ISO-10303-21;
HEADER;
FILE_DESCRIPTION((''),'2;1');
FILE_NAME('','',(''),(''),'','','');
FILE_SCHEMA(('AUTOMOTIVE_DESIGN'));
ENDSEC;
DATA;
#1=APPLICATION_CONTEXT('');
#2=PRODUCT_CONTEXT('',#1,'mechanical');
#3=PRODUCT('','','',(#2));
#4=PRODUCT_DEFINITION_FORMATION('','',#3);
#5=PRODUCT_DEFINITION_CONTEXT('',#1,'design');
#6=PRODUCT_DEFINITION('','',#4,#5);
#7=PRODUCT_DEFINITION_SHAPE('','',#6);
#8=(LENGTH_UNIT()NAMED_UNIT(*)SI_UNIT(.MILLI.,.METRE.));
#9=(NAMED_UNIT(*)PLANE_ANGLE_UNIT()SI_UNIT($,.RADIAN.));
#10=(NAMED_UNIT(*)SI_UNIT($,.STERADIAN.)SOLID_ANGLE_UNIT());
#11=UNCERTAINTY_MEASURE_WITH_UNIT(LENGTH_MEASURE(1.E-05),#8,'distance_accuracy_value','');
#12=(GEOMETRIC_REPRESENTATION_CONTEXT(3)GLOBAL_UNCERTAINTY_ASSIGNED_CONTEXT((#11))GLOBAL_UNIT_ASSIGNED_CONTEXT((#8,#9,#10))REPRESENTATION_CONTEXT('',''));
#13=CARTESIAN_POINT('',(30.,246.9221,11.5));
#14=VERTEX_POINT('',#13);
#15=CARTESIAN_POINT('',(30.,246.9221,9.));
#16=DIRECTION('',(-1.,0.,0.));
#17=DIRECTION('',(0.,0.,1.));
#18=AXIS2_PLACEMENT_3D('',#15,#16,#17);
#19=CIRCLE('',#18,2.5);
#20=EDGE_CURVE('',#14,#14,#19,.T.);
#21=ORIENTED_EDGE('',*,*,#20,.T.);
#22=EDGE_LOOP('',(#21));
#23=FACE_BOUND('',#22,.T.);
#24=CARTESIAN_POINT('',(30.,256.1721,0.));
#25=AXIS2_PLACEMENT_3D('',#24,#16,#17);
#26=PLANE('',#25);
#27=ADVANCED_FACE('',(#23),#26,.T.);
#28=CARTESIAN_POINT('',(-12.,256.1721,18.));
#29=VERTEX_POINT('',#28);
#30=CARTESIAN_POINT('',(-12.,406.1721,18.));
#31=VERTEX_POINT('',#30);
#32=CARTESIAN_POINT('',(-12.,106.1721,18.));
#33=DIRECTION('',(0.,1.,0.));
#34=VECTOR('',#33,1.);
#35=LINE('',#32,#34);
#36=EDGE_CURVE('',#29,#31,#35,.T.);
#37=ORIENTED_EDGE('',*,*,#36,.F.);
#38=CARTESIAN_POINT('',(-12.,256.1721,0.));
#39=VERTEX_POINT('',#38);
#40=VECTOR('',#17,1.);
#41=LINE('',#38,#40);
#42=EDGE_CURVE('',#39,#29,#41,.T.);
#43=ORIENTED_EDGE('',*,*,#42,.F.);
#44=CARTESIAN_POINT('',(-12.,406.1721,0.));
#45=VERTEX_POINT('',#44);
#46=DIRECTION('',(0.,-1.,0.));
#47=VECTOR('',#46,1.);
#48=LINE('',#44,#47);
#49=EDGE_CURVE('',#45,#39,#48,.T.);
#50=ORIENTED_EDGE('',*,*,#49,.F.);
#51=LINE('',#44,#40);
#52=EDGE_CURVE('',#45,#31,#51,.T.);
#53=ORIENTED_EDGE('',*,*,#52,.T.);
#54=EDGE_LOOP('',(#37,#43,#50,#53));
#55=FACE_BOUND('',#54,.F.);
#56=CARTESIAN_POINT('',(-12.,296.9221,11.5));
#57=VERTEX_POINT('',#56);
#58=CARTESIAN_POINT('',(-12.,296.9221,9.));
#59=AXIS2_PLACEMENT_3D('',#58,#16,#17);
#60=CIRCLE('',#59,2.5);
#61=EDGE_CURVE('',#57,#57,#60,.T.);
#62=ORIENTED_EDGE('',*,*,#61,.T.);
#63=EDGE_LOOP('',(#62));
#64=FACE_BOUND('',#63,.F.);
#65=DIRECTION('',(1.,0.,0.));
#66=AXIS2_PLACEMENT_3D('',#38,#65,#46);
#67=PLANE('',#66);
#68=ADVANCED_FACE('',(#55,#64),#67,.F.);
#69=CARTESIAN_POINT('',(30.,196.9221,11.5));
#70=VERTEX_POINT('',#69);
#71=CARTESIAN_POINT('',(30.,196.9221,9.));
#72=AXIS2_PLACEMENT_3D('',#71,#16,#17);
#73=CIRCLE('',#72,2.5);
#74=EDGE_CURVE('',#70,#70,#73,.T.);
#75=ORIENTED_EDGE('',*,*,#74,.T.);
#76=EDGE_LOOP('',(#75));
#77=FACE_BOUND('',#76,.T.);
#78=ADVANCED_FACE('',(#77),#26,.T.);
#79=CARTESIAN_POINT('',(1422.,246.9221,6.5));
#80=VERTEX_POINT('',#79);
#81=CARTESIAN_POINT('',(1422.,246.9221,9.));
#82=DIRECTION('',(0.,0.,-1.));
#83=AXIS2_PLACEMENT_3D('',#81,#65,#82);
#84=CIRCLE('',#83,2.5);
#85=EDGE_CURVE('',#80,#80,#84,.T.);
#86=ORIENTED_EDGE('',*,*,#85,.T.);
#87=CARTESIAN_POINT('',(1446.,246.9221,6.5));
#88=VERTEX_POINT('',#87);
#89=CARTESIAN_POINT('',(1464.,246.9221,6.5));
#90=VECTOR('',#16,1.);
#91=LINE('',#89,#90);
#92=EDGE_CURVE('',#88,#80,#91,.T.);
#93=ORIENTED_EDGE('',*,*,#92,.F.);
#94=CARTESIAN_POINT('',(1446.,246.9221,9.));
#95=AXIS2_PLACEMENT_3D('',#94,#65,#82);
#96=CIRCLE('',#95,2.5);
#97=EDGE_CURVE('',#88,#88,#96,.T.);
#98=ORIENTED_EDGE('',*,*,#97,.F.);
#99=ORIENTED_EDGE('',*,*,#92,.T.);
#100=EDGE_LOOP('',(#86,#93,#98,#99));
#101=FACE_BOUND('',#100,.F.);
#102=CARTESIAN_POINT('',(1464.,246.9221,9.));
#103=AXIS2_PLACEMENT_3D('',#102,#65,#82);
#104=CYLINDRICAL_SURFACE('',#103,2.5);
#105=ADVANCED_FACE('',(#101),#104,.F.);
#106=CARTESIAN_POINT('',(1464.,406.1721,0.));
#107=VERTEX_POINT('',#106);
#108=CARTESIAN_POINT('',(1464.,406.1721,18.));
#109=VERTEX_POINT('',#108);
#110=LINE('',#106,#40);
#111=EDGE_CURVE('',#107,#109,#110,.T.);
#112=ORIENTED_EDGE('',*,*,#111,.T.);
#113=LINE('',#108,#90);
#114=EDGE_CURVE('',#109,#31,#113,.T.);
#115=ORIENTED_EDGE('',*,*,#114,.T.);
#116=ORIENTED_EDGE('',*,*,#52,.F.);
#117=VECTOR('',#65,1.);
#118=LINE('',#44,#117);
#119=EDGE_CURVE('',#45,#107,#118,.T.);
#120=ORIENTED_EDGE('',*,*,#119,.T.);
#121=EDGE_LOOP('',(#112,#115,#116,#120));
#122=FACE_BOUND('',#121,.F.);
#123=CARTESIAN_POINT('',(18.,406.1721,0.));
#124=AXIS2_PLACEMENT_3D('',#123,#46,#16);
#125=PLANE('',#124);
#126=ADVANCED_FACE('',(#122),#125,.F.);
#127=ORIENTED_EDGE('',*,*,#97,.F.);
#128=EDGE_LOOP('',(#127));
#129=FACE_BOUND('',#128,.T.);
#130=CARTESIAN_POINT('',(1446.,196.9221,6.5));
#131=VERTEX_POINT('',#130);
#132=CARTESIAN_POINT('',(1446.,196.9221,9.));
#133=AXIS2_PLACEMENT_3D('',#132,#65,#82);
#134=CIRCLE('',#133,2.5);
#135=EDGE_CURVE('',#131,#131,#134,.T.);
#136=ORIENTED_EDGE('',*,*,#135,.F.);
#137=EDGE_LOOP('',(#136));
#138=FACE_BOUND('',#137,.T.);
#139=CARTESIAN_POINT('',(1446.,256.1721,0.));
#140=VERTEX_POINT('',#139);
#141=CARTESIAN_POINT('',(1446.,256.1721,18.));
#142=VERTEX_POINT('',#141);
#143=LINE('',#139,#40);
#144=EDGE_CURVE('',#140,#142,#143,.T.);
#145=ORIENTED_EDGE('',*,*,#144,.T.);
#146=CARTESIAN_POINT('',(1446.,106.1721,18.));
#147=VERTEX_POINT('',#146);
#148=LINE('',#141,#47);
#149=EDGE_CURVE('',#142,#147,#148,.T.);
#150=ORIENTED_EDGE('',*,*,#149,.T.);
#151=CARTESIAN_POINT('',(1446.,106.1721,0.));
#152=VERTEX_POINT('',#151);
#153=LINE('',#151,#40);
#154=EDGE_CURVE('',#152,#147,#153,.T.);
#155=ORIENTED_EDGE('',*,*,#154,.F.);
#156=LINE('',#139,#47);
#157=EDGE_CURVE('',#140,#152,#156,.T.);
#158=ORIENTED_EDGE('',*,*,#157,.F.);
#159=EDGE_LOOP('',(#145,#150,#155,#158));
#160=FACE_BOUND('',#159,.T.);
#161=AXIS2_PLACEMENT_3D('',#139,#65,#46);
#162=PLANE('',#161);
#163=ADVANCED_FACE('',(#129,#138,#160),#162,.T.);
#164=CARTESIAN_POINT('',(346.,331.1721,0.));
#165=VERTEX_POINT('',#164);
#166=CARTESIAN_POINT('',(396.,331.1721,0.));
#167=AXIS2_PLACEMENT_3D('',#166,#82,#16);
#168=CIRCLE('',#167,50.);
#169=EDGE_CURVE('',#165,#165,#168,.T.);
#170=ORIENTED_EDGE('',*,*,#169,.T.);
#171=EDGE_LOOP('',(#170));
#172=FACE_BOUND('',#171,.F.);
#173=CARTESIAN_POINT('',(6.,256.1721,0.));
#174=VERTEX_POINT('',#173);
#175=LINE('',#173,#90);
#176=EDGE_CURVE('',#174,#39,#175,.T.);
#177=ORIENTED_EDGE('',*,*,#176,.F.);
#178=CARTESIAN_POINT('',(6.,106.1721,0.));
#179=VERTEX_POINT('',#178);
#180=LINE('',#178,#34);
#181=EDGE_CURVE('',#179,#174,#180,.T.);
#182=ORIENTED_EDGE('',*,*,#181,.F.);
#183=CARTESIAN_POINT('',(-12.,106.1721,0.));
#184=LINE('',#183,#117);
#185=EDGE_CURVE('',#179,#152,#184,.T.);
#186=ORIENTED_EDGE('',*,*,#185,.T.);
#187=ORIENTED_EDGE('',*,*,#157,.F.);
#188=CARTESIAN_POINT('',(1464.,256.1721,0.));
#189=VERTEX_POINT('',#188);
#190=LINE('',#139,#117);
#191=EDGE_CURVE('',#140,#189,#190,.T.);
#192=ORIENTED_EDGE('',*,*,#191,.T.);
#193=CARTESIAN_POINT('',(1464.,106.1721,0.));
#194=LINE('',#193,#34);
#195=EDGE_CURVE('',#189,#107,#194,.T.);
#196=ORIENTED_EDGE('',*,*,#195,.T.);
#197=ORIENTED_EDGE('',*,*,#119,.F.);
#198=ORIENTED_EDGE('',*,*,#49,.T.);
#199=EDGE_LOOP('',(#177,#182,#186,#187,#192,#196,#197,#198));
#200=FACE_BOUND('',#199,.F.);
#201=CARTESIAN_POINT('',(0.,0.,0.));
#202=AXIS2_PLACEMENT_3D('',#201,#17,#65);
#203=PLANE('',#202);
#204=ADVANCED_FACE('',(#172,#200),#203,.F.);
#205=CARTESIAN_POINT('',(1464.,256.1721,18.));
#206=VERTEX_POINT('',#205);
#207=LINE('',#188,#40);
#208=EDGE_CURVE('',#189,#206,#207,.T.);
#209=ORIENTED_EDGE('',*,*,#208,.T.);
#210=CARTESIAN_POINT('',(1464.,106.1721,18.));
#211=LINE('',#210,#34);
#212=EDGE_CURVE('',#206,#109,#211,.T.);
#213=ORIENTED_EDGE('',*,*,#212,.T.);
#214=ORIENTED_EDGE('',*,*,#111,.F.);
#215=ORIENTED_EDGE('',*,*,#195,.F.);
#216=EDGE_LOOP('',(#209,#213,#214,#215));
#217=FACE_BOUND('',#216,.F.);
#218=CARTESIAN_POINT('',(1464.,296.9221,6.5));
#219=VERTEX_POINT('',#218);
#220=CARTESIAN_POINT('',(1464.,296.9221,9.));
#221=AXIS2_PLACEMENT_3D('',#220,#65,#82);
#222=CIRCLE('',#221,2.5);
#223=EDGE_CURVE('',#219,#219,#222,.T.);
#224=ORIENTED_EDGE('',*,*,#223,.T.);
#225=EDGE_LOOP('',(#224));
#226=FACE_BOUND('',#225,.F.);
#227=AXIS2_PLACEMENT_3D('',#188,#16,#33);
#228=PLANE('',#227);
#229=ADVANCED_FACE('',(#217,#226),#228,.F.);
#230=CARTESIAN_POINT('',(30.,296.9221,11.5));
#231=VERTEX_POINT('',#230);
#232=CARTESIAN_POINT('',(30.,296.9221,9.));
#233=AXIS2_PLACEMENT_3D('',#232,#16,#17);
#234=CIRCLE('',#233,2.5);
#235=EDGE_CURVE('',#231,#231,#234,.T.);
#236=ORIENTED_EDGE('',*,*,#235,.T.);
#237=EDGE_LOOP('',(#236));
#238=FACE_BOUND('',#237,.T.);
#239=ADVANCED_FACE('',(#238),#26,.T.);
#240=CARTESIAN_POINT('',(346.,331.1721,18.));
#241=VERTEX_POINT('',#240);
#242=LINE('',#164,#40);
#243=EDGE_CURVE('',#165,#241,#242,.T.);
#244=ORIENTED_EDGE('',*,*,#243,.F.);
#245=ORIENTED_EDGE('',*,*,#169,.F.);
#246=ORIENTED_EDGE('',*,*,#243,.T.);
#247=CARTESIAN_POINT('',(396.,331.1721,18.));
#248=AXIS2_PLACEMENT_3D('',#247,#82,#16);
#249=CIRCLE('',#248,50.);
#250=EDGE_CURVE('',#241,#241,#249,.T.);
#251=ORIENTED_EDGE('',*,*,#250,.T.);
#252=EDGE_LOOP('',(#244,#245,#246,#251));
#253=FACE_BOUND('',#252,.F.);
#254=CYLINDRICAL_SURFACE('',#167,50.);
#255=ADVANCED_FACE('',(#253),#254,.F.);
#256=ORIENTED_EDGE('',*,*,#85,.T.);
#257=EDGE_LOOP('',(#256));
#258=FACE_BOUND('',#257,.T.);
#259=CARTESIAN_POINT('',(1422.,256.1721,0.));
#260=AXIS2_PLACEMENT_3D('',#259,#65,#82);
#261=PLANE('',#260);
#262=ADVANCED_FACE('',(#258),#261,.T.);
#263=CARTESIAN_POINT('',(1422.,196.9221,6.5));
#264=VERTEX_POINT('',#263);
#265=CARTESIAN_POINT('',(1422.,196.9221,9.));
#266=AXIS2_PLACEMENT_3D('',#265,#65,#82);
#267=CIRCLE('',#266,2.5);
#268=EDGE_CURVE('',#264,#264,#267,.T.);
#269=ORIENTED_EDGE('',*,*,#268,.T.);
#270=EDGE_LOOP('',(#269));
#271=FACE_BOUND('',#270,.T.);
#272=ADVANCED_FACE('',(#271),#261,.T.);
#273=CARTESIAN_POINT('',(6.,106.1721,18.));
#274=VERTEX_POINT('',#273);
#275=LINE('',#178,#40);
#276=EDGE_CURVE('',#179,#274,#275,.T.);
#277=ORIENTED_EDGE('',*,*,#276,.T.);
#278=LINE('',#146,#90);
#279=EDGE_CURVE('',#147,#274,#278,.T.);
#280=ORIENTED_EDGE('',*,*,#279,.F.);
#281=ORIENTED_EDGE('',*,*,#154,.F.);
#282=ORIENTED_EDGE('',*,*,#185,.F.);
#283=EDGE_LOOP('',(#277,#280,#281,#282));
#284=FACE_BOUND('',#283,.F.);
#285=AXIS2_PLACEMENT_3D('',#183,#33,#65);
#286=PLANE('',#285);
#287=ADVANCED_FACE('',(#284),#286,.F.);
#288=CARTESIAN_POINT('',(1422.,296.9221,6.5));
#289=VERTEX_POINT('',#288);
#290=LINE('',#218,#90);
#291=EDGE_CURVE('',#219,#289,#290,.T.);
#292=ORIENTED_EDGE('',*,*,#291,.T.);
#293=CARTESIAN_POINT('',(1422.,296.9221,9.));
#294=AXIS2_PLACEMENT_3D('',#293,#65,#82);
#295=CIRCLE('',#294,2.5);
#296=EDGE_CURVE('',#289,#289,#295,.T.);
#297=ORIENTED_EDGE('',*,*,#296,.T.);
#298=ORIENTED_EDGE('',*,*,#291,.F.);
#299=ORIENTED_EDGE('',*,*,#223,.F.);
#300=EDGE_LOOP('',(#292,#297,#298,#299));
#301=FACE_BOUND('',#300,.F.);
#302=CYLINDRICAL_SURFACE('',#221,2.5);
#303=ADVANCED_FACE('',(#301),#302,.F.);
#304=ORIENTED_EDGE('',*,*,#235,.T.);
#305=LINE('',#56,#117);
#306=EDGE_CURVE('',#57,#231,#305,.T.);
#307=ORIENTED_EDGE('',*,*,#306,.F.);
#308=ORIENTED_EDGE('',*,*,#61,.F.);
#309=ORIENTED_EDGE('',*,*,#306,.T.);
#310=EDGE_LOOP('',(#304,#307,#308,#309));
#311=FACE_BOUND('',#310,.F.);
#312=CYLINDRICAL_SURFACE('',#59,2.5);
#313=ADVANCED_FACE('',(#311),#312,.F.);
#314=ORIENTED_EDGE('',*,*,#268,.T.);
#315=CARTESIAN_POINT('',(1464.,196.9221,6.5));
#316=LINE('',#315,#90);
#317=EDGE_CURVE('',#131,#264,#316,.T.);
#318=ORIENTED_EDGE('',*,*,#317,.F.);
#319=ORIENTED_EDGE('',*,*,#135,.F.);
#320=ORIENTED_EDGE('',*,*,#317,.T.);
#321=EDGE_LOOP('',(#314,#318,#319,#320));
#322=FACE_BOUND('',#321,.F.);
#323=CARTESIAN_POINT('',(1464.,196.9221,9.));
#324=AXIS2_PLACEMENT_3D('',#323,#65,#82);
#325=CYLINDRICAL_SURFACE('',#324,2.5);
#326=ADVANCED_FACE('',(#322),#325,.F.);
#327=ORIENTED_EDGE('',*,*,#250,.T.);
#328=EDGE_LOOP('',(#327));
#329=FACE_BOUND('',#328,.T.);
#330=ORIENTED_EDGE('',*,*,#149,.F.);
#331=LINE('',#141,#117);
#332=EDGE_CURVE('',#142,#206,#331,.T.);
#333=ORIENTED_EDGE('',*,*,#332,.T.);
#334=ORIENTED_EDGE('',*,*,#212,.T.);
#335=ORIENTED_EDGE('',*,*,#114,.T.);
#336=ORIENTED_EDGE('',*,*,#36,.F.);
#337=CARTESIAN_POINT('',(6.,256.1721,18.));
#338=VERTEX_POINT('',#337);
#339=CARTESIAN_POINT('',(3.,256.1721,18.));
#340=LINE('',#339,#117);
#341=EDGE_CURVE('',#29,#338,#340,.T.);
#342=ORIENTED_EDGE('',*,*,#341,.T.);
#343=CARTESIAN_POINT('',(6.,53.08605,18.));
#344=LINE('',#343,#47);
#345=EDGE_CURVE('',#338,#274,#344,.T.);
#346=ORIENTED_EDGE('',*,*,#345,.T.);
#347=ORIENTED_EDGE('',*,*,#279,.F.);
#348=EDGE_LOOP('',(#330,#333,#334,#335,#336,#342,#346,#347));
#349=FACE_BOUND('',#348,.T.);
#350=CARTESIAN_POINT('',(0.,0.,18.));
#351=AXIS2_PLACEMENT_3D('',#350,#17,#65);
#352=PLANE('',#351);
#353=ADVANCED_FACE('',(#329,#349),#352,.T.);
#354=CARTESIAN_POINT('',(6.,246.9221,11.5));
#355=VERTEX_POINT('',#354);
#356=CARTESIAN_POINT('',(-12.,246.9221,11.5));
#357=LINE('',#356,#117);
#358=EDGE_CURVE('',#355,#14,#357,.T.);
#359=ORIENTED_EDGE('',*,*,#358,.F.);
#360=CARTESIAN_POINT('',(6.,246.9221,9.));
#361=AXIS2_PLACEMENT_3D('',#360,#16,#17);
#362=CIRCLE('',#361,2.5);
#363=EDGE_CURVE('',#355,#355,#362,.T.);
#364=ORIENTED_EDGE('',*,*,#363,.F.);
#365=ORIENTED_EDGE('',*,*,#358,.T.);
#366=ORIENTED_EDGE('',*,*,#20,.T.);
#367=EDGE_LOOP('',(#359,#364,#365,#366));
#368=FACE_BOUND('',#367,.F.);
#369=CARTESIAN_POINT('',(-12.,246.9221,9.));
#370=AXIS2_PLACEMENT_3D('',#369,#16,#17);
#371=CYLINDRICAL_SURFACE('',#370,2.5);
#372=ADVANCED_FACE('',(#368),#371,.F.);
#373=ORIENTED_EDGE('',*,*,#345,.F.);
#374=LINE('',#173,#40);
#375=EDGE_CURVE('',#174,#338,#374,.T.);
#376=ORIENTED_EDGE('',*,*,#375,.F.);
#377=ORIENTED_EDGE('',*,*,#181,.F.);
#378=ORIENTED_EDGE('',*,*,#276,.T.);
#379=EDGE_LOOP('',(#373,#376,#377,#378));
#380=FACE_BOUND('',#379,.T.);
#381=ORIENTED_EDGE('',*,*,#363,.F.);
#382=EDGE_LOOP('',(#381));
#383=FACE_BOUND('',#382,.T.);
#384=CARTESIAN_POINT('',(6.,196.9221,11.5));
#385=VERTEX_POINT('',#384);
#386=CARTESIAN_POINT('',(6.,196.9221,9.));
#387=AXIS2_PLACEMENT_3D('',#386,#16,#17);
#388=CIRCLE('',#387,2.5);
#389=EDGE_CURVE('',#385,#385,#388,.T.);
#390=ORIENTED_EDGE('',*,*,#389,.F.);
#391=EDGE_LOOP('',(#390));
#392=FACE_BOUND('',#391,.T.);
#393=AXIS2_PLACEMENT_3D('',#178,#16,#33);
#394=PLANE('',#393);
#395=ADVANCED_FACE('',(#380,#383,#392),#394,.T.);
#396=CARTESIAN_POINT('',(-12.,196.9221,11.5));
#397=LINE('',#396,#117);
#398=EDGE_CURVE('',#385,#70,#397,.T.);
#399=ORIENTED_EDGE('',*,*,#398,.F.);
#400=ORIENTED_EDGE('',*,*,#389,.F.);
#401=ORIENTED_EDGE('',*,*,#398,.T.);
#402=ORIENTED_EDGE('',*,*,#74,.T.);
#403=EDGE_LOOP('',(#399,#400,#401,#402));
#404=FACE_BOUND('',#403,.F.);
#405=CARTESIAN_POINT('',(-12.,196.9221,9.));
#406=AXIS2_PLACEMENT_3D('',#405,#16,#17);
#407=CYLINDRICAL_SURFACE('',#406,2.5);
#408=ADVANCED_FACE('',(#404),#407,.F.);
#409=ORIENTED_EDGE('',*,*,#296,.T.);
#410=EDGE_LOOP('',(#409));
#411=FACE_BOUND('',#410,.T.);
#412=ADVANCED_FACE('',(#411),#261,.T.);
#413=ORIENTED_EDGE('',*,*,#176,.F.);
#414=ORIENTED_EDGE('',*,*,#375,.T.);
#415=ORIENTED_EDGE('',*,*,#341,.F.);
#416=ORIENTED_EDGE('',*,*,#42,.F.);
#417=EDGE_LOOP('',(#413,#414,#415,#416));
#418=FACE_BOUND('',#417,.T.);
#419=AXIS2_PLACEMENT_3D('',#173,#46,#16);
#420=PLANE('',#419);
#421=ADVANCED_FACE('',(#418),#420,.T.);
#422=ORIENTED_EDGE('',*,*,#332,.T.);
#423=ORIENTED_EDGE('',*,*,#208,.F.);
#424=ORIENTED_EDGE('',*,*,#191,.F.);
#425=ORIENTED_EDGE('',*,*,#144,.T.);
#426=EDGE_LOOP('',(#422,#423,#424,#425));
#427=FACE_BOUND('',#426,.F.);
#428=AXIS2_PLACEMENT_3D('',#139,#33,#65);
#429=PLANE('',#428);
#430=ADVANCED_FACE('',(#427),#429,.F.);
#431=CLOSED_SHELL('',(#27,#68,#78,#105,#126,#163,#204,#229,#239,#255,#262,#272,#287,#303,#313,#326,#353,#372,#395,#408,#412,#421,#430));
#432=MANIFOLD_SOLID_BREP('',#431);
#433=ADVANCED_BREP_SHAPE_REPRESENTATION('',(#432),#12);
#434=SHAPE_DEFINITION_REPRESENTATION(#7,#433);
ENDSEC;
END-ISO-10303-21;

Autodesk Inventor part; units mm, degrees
ref_plane "YZ Plane" through (0, 0, 0) normal (1, 0, 0) x (0, 1, 0)
ref_plane "XZ Plane" through (0, 0, 0) normal (0, 1, 0) x (-1, 0, 0)
ref_plane "XY Plane" through (0, 0, 0) normal (0, 0, 1) x (1, 0, 0)
sketch "Sketch1" plane through (0, 0, 0) normal (0, 0, 1) x (1, 0, 0)
  line L0 (-12, 106.1721) -> (1464, 106.1721)
  line L1 (1464, 106.1721) -> (1464, 406.1721)
  line L2 (1464, 406.1721) -> (-12, 406.1721)
  line L3 (-12, 406.1721) -> (-12, 106.1721)
  line L4 (-12, 406.1721) -> (18, 406.1721)
  line L5 (1464, 406.1721) -> (1446, 406.1721)
  line L6 (1446, 256.1721) -> (1464, 256.1721)
  line L7 (1464, 256.1721) -> (1464, 406.1721)
  line L8 (1446, 256.1721) -> (1446, 106.1721)
  line L9 (-12, 106.1721) -> (6, 106.1721)
  line L10 (6, 106.1721) -> (6, 256.1721)
  line L11 (6, 256.1721) -> (-12, 256.1721)
  line L12 (-12, 256.1721) -> (-12, 106.1721)
  point P0 (0, 0)
  point P1 (18, 106.1721)
  dimension "d1" = 1476
  dimension "d2" = 300
  dimension "d5" = 18
  dimension "d6" = 150
  dimension "d35" = 18
  dimension "d36" = 150
extrude "Extrusion1" add sketch "Sketch1" along normal blind 18 contours L3 L11 L10 L0 | L10 L11 L3 L2 L1 L6 L8 L0
sketch "Sketch2" plane through (-12, 256.1721, 0) normal (-1, 0, 0) x (0, 0, 1)
  line L0 (0, 0) -> (0, 150) projected
  line L1 (0, 150) -> (9, 150)
  line L2 (18, 0) -> (18, 150) projected
  line L3 (0, 150) -> (9, 150) construction
  line L4 (0, 150) -> (18, 150) projected
  line L5 (9, 150) -> (168.25, 150) construction
  line L6 (9, 150) -> (168.25, 150) construction
  line L7 (0, -150) -> (0, 0) projected
  line L8 (9, -9.25) -> (59, -9.25) construction
  circle A0 centre (9, -59.25) radius 2.5
  circle A1 centre (9, 40.75) radius 2.5
  circle A2 centre (9, -9.25) radius 2.5
  point P0 (0, -256.1721)
  dimension "d10" = 0
  dimension "d16" = 159.25
  dimension "d21" = 5
  dimension "d22" = 5
  dimension "d23" = 5
sketch "Sketch3" plane through (1464, 256.1721, 0) normal (1, 0, 0) x (0, 0, -1)
  line L0 (0, 0) -> (0, 150) projected
  line L1 (0, 150) -> (-9, 150)
  circle A0 centre (-9, 40.75) radius 2.5
  circle A1 centre (-9, -9.25) radius 2.5
  circle A2 centre (-9, -59.25) radius 2.5
  point P0 (0, -256.1721)
  dimension "d24" = 9
  dimension "d28" = 5
  dimension "d29" = 5
  dimension "d30" = 5
extrude "Extrusion2" cut sketch "Sketch3" against normal blind 42
extrude "Extrusion3" cut sketch "Sketch2" against normal blind 42
sketch "Sketch4" plane through (0, 0, 0) normal (0, 0, -1) x (-1, 0, 0)
  line L0 (12, 106.1721) -> (-1446, 106.1721) projected
  line L1 (12, 106.1721) -> (-6, 106.1721)
  line L2 (-6, 106.1721) -> (-6, 256.1721)
  line L3 (-6, 256.1721) -> (12, 256.1721)
  line L4 (12, 256.1721) -> (12, 106.1721)
  point P0 (0, 0)
  dimension "d39" = 18
  dimension "d40" = 150
extrude "Extrusion4" cut sketch "Sketch4" against normal blind 208.825
sketch "Sketch5" plane through (0, 0, 0) normal (0, 0, -1) x (-1, 0, 0)
  line L0 (-1446, 256.1721) -> (-1464, 256.1721) projected
  line L1 (-6, 256.1721) -> (379, 256.1721) construction
  circle A0 centre (-396, 331.1721) radius 50
  point P0 (0, 0)
  dimension "d53" = 100
extrude "Extrusion5" cut sketch "Sketch5" against normal blind 208.825
properties part number "reardraws" material "MDF Medium Density Fiberboard"
